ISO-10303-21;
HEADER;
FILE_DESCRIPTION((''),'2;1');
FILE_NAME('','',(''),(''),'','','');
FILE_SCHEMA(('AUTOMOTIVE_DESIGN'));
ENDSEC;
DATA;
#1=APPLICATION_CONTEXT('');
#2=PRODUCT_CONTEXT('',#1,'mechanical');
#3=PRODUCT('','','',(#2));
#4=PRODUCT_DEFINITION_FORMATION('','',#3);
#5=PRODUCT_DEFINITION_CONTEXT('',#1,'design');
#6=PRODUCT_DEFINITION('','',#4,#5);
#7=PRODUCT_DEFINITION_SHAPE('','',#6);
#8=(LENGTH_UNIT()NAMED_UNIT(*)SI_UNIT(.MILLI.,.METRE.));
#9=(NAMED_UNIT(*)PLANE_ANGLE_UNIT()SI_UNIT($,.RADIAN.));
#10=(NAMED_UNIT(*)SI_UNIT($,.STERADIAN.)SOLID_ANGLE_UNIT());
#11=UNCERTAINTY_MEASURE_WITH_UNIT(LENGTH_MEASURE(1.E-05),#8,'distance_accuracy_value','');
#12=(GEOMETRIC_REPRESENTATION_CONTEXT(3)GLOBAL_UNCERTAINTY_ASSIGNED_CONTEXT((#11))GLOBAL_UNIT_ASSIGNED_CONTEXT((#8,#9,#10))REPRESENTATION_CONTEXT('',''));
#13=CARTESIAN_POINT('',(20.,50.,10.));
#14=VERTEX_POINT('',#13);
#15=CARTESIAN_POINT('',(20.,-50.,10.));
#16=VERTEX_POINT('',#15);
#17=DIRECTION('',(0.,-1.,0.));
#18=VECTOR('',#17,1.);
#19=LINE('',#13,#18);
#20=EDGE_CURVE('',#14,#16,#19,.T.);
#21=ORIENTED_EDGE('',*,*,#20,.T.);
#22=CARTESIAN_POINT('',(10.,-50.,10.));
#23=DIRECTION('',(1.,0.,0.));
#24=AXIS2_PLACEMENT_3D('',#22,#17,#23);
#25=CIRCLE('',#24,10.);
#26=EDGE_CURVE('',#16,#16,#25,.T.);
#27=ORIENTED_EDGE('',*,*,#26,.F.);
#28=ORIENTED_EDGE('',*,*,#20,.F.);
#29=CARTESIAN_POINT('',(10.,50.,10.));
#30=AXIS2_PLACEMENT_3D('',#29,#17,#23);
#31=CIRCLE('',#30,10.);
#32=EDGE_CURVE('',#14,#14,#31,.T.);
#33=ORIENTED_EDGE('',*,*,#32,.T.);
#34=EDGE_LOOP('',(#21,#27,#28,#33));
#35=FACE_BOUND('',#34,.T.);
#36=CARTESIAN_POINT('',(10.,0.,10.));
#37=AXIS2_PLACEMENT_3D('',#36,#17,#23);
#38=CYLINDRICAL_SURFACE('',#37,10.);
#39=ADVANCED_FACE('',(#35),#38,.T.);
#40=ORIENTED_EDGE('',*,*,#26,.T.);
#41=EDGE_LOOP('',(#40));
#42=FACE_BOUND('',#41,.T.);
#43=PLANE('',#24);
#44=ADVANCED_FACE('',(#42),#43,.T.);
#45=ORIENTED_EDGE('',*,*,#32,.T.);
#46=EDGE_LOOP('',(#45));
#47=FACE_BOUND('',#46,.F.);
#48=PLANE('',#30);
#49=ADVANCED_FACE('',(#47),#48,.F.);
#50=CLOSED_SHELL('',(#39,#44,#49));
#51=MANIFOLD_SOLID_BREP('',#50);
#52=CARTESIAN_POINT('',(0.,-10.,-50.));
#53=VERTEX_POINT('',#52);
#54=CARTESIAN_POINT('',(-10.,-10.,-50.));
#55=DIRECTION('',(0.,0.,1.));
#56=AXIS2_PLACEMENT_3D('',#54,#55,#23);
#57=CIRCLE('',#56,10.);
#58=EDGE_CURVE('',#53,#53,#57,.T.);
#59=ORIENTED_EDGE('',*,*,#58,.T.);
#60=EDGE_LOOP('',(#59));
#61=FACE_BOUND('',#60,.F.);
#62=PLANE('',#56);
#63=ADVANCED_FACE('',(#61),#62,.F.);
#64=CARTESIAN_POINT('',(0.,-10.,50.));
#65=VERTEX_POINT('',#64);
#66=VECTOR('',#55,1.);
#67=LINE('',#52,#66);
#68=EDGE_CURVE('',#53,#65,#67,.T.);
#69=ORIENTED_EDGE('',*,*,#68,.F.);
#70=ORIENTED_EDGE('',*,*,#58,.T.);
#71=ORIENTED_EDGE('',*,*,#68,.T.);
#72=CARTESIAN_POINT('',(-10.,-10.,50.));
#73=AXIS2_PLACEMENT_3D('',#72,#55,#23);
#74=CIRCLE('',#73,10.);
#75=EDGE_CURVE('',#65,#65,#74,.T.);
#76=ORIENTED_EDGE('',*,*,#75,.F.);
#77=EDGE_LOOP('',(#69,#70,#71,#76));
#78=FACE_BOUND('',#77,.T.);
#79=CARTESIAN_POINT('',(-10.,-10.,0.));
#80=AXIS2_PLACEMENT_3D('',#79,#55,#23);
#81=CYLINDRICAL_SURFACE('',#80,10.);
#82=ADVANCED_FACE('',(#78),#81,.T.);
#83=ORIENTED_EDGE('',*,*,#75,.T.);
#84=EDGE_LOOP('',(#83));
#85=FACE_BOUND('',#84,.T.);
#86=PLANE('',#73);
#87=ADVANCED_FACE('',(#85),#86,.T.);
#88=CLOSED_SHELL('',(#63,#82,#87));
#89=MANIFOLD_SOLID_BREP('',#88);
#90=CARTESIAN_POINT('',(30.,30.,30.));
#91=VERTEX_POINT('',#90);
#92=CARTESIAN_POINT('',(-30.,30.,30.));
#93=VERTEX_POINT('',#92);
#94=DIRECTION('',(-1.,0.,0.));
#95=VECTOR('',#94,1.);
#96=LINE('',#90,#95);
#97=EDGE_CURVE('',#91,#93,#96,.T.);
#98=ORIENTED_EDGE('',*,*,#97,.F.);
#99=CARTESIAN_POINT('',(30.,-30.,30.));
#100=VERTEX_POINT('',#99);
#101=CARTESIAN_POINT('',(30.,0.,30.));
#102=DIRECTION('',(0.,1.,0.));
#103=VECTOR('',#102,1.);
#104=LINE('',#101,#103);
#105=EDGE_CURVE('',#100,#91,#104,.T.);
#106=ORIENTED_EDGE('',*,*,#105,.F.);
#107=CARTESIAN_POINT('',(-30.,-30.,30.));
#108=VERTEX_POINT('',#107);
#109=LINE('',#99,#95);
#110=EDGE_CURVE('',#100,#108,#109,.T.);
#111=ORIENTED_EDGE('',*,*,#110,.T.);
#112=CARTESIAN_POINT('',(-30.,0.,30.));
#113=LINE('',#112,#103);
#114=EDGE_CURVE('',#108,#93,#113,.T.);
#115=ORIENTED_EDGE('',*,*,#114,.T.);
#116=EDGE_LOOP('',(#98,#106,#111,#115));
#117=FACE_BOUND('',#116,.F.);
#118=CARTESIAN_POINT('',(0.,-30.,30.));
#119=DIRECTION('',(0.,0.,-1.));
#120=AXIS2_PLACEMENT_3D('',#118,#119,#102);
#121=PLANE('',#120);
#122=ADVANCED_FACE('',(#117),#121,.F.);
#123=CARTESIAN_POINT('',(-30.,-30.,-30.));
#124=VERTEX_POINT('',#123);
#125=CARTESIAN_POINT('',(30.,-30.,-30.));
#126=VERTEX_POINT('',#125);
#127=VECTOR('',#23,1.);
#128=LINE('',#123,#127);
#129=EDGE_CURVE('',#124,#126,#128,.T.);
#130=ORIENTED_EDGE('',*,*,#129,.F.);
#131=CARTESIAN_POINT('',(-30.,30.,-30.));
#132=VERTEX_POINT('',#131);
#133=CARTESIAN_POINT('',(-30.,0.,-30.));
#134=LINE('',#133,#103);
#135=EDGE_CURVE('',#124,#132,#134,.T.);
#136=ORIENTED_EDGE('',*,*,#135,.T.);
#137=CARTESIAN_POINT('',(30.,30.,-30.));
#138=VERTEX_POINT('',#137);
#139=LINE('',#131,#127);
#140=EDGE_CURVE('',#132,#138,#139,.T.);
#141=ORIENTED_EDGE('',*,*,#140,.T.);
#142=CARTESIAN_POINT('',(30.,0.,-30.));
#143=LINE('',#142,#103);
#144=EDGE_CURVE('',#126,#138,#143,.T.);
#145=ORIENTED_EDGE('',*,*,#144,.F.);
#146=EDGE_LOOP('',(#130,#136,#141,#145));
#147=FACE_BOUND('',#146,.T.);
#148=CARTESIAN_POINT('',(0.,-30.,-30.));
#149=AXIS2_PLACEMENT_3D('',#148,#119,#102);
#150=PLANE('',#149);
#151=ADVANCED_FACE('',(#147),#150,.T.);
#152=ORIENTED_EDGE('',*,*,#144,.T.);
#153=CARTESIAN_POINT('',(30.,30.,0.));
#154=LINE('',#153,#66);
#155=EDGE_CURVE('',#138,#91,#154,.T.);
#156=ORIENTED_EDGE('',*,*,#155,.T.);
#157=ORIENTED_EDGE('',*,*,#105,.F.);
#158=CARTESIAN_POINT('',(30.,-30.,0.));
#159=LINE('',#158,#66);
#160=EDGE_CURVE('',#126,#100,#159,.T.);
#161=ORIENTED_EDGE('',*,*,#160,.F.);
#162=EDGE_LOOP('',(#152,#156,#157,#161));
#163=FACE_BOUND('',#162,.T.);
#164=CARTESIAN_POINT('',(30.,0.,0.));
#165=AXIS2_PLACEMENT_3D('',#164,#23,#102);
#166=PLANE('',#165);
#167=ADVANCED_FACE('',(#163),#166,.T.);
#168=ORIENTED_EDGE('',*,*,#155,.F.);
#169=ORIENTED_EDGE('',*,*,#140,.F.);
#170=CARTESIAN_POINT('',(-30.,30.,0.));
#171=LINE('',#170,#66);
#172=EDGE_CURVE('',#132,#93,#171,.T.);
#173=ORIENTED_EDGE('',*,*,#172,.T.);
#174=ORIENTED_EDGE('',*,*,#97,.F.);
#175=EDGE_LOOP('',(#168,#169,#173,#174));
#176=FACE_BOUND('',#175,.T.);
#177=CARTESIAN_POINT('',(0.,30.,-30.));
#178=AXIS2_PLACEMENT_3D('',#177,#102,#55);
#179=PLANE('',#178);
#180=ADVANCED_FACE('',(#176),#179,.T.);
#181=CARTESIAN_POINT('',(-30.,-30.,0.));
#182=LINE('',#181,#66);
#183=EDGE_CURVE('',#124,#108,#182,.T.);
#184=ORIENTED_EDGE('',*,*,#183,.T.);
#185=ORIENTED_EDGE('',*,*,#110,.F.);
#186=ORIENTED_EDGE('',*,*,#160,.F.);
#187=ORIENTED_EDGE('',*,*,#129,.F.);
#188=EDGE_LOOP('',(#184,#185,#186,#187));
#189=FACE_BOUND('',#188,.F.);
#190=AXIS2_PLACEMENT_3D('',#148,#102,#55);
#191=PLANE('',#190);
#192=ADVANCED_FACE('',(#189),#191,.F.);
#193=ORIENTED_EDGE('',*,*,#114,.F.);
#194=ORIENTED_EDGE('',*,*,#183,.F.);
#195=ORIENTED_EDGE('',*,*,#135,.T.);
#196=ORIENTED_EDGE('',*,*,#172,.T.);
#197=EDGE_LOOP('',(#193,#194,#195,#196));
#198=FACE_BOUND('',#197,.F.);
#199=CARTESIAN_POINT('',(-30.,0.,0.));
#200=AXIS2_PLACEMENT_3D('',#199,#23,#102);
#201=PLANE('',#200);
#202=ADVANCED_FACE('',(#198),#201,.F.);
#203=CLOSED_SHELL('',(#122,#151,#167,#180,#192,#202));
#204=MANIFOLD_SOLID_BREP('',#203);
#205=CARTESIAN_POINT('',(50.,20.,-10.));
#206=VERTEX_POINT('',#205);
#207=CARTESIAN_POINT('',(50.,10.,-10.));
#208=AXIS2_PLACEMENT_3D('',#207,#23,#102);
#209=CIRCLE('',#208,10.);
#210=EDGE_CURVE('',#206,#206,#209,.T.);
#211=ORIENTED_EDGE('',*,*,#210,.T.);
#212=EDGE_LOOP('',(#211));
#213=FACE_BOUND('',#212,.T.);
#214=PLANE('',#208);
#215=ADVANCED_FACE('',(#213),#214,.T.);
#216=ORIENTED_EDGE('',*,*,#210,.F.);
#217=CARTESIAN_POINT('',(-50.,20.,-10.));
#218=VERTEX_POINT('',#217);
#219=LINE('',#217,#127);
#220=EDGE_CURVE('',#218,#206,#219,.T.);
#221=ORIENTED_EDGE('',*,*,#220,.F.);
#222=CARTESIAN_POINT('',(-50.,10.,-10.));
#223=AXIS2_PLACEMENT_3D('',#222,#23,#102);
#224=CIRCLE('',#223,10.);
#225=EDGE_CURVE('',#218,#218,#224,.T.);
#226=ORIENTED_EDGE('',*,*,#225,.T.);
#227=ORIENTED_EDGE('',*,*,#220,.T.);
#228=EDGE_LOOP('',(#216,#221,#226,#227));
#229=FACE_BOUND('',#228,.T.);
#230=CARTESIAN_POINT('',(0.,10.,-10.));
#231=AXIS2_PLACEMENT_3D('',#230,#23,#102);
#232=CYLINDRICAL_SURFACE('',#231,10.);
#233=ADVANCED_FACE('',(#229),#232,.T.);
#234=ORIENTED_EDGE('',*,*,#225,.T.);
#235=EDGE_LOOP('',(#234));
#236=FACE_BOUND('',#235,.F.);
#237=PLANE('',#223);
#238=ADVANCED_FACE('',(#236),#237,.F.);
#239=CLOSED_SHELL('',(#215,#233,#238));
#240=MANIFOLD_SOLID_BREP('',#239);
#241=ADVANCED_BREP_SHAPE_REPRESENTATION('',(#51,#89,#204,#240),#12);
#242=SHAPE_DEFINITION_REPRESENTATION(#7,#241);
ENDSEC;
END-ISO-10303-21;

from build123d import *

# Parameters (mm, degrees)
F0_R     = 10
F1_DEPTH = 50
F2_R     = 10
F3_DEPTH = 50
F4_R     = 10
F5_DEPTH = 50
F6_W     = 60
F6_H     = 60
F7_DEPTH = 30


with BuildPart() as f1:
    # F0 (on Top) → F1 (new body, symmetric)
    with BuildSketch(Plane.XY):
        with Locations((-10, -10)):
            Circle(F0_R)
    extrude(amount=F1_DEPTH, both=True)


with BuildPart() as f3:
    # F2 (on Front) → F3 (new body, symmetric)
    with BuildSketch(Plane.XZ):
        with Locations((10, 10)):
            Circle(F2_R)
    extrude(amount=F3_DEPTH, both=True)


with BuildPart() as f5:
    # F4 (on Right) → F5 (new body, symmetric)
    with BuildSketch(Plane.YZ):
        with Locations((10, -10)):
            Circle(F4_R)
    extrude(amount=F5_DEPTH, both=True)


with BuildPart() as f7:
    # F6 (on Right) → F7 (new body, symmetric)
    with BuildSketch(Plane.YZ):
        Rectangle(F6_W, F6_H)
    extrude(amount=F7_DEPTH, both=True)


solid = Compound([f1.part, f3.part, f5.part, f7.part])
